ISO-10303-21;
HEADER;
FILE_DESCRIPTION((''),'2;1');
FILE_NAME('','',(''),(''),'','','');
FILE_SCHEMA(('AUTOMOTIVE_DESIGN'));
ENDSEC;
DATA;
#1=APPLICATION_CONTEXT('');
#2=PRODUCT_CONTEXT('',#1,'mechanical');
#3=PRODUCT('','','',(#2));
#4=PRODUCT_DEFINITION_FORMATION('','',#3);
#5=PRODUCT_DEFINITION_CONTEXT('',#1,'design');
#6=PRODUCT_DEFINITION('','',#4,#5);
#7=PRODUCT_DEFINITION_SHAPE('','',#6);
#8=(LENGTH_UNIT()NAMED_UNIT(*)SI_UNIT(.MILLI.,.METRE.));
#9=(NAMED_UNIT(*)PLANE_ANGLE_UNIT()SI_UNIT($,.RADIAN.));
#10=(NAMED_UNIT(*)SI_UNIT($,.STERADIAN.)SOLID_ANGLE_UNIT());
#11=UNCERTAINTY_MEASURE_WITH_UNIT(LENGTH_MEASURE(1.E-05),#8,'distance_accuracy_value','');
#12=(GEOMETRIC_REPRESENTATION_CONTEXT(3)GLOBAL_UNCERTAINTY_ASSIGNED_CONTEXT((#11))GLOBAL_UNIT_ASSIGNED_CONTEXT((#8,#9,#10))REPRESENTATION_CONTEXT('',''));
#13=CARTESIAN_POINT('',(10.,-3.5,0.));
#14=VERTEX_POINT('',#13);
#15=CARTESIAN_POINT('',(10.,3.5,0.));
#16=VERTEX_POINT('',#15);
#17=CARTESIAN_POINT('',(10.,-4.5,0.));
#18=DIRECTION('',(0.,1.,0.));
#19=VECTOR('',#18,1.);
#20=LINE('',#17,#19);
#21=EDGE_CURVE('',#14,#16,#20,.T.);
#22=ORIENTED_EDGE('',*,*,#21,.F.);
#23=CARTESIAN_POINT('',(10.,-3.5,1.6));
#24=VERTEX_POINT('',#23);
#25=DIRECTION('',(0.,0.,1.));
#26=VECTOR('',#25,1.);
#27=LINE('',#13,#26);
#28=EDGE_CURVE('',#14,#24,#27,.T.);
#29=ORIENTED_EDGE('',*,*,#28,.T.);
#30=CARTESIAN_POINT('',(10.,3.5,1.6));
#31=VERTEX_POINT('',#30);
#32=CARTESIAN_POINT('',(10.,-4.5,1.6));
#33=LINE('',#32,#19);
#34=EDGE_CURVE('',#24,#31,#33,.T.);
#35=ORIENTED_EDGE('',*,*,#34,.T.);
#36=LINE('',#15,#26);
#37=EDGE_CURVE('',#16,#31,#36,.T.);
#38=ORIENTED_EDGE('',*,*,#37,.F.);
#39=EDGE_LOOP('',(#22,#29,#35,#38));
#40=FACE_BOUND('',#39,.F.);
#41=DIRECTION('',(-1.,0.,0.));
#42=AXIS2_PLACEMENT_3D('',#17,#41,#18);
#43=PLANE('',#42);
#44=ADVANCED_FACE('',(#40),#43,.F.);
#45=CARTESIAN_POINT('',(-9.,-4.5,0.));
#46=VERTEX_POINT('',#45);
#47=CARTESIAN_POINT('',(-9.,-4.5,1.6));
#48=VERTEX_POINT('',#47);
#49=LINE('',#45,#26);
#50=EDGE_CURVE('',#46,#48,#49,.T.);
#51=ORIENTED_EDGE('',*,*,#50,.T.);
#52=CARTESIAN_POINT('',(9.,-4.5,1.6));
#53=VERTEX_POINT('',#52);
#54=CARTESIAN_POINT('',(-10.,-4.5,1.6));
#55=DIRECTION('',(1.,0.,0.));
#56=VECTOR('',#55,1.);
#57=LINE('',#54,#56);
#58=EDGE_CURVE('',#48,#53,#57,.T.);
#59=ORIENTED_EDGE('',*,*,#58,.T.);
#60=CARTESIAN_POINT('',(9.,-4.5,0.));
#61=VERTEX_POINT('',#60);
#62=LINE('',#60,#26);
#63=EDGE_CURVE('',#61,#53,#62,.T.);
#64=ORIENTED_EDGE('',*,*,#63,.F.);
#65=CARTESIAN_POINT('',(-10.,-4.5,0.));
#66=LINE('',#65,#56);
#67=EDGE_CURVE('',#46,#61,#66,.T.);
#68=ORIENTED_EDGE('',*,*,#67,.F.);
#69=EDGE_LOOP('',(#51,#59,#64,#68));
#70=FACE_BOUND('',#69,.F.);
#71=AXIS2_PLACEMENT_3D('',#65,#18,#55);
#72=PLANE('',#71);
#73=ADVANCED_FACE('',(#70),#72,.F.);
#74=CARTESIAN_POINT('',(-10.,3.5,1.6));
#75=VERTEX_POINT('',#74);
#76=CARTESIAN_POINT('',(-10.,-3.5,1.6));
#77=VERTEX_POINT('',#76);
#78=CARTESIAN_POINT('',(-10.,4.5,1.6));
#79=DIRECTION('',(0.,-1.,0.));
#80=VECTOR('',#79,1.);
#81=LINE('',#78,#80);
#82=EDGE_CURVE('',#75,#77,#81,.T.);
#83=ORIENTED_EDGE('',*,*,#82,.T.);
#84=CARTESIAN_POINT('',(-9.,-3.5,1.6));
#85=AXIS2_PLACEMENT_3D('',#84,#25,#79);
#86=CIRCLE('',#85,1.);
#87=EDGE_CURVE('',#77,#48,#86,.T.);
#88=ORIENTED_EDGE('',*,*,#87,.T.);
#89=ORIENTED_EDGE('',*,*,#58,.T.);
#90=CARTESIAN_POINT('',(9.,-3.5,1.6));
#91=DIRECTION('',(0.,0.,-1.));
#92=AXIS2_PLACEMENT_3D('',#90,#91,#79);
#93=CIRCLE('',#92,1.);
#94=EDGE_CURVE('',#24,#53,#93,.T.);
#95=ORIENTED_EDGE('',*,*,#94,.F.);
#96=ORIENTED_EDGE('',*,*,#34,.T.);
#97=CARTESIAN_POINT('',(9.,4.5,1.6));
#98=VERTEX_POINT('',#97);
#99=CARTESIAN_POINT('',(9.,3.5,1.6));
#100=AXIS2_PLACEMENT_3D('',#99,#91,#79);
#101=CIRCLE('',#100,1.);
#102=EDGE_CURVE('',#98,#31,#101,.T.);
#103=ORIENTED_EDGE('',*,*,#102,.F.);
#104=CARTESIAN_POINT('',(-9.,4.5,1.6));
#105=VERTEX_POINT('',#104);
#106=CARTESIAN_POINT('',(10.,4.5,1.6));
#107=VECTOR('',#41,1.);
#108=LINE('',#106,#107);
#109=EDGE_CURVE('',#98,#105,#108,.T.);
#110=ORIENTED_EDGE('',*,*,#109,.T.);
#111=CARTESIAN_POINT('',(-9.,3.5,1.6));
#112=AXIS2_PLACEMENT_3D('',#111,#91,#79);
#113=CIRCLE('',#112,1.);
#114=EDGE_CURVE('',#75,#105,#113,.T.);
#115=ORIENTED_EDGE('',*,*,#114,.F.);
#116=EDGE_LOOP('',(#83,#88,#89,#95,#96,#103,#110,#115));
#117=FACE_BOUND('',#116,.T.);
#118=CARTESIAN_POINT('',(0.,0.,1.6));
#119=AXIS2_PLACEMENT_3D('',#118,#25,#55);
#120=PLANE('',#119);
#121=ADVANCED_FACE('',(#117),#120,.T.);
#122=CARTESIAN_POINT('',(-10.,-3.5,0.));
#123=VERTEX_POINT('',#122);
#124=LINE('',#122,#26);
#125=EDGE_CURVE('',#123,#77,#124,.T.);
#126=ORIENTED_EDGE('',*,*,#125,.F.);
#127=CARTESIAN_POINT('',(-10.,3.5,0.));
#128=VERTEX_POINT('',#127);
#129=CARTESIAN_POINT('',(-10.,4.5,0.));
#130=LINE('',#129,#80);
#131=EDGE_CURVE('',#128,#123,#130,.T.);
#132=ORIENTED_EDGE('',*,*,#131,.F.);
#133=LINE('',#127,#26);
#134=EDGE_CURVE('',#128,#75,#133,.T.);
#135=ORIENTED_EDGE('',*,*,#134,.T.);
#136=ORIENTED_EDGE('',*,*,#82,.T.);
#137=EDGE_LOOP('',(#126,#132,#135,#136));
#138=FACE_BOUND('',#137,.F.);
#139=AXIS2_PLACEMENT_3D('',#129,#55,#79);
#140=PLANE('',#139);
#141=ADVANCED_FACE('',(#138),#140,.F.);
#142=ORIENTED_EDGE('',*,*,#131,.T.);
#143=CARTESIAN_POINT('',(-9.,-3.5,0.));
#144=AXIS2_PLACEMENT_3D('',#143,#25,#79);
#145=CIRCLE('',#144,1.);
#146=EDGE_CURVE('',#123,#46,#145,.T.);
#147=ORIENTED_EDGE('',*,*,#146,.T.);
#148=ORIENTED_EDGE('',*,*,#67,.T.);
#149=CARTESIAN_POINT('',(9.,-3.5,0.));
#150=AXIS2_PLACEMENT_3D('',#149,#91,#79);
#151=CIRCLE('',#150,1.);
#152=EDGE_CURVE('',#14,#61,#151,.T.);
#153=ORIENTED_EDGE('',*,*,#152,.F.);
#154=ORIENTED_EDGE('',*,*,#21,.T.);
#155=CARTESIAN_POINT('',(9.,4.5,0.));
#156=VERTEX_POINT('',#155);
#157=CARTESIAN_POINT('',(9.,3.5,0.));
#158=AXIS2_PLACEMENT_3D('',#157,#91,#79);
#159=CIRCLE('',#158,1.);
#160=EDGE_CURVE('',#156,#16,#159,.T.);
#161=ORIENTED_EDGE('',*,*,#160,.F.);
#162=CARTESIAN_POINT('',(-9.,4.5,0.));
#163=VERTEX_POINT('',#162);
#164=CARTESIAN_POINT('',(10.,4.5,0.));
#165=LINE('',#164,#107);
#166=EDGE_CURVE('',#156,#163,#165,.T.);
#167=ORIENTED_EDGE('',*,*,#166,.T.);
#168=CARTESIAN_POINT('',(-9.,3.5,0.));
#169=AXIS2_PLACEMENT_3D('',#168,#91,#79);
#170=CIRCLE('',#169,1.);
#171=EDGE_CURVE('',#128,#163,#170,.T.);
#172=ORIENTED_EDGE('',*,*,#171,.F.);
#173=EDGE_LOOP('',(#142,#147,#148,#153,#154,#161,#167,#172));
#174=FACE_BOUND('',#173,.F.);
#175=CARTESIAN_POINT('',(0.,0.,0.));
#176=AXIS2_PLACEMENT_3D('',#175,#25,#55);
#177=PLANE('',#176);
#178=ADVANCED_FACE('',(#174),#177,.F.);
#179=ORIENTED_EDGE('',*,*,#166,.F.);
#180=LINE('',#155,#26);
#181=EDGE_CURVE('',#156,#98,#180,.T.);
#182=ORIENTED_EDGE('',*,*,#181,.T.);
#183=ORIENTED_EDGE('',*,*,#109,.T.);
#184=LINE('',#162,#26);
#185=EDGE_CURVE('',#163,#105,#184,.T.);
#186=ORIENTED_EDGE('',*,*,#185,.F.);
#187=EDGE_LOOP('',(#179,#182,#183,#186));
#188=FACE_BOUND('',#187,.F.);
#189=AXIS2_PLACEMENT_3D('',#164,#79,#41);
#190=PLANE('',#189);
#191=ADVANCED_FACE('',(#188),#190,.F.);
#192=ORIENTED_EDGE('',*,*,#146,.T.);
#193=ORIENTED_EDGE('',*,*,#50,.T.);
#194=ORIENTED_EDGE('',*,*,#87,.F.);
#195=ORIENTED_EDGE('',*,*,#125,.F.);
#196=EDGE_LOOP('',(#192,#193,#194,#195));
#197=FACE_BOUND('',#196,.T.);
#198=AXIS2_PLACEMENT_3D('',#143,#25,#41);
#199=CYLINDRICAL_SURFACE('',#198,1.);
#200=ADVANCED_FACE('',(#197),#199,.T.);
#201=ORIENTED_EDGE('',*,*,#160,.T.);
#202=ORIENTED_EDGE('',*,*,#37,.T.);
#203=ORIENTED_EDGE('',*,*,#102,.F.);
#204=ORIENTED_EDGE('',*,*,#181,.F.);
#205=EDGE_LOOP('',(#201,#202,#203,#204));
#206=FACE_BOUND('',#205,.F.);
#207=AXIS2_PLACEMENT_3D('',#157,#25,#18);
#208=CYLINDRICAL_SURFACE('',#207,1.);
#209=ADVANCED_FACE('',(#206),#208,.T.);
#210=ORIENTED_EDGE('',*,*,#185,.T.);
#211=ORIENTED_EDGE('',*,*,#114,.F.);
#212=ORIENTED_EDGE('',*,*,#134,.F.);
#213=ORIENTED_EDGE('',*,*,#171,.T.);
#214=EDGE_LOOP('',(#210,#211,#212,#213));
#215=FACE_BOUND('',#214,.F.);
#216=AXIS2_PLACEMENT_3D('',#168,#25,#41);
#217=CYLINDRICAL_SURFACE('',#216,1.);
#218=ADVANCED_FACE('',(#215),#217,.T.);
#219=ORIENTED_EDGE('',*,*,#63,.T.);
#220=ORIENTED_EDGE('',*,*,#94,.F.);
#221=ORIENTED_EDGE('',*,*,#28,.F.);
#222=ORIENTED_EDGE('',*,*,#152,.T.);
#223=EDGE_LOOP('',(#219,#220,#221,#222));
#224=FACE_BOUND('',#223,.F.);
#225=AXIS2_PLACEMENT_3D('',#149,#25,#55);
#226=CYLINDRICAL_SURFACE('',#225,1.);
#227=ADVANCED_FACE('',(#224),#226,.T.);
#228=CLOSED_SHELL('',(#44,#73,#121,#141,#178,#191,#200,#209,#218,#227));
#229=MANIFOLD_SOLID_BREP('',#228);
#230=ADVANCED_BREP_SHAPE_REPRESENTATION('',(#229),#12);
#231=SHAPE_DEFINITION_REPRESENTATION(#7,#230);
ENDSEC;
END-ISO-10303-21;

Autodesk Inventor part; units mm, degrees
ref_plane "YZ Plane" through (0, 0, 0) normal (1, 0, 0) x (0, 1, 0)
ref_plane "XZ Plane" through (0, 0, 0) normal (0, 1, 0) x (-1, 0, 0)
ref_plane "XY Plane" through (0, 0, 0) normal (0, 0, 1) x (1, 0, 0)
sketch "Sketch1" plane through (0, 0, 0) normal (0, 0, 1) x (1, 0, 0)
  line L0 (-10, -4.5) -> (10, -4.5)
  line L1 (10, -4.5) -> (10, 4.5)
  line L2 (10, 4.5) -> (-10, 4.5)
  line L3 (-10, 4.5) -> (-10, -4.5)
  line L4 (-10, -4.5) -> (10, 4.5) construction
  line L5 (10, -4.5) -> (-10, 4.5) construction
  point P0 (0, 0)
  dimension "d0" = 20
  dimension "d1" = 9
extrude "Extrusion1" add sketch "Sketch1" along normal blind 1.6
fillet "Fillet1" radius 1 4 edges at (10, 4.5, 0.8) (-10, 4.5, 0.8) (-10, -4.5, 0.8) (10, -4.5, 0.8)
sketch "MiniUSB_ADAPTER_PCB_OUTLINE" plane through (0, 0, 1.6) normal (0, 0, 1) x (1, 0, 0)
  line L0 (3.8, 0.85) -> (3.8, 2.35) projected
  line L1 (3.5, 2.35) -> (3.5, 0.85) projected
  line L2 (3.5, 0.85) -> (3.8, 0.85) projected
  line L3 (3.8, 2.35) -> (3.5, 2.35) projected
  line L4 (-3.5, 2.35) -> (-3.5, 0.85) projected
  line L5 (-3.8, 0.85) -> (-3.8, 2.35) projected
  line L6 (-3.5, 0.85) -> (-3.8, 0.85) projected
  line L7 (-3.8, 2.35) -> (-3.5, 2.35) projected
  line L8 (-1.8, 0.175) -> (-1.4, 0.175) projected
  line L9 (-1.4, 0.175) -> (-1.4, 0.425) projected
  line L10 (-1.4, 0.425) -> (-1.8, 0.425) projected
  line L11 (-1.8, 0.425) -> (-1.8, 0.175) projected
  line L12 (0.6, 2.775) -> (1, 2.775) projected
  line L13 (1, 3.025) -> (0.6, 3.025) projected
  line L14 (0.6, 3.025) -> (0.6, 2.775) projected
  line L15 (1, 2.775) -> (1, 3.025) projected
  line L16 (1.875, -1.1641) -> (-1.875, -1.1641) projected
  line L17 (1.4, 0.175) -> (1.8, 0.175) projected
  line L18 (1.8, 0.425) -> (1.4, 0.425) projected
  line L19 (1.4, 0.425) -> (1.4, 0.175) projected
  line L20 (1.8, 0.175) -> (1.8, 0.425) projected
  line L21 (-1, 2.775) -> (-0.6, 2.775) projected
  line L22 (-1, 3.025) -> (-1, 2.775) projected
  line L23 (-0.6, 3.025) -> (-1, 3.025) projected
  line L24 (-0.6, 2.775) -> (-0.6, 3.025) projected
  line L25 (0.2, 0.425) -> (-0.2, 0.425) projected
  line L26 (0.2, 0.175) -> (0.2, 0.425) projected
  line L27 (-0.2, 0.175) -> (0.2, 0.175) projected
  line L28 (-0.2, 0.425) -> (-0.2, 0.175) projected
  circle A0 centre (-3.65, 1.6) radius 0.75
  circle A1 centre (3.65, 1.6) radius 0.75
  arc A2 (9, -4.5) -> (10, -3.5) centre (9, -3.5) ccw projected
  line L29 (10, -3.5) -> (10, 3.5) projected
  arc A3 (10, 3.5) -> (9, 4.5) centre (9, 3.5) ccw projected
  line L30 (9, 4.5) -> (-9, 4.5) projected
  arc A4 (-9, 4.5) -> (-10, 3.5) centre (-9, 3.5) ccw projected
  line L31 (-10, 3.5) -> (-10, -3.5) projected
  arc A5 (-10, -3.5) -> (-9, -4.5) centre (-9, -3.5) ccw projected
  line L32 (-9, -4.5) -> (9, -4.5) projected
  point P0 (0, 0)
properties part number "MiniUSB_ADAPTER_PCB"
